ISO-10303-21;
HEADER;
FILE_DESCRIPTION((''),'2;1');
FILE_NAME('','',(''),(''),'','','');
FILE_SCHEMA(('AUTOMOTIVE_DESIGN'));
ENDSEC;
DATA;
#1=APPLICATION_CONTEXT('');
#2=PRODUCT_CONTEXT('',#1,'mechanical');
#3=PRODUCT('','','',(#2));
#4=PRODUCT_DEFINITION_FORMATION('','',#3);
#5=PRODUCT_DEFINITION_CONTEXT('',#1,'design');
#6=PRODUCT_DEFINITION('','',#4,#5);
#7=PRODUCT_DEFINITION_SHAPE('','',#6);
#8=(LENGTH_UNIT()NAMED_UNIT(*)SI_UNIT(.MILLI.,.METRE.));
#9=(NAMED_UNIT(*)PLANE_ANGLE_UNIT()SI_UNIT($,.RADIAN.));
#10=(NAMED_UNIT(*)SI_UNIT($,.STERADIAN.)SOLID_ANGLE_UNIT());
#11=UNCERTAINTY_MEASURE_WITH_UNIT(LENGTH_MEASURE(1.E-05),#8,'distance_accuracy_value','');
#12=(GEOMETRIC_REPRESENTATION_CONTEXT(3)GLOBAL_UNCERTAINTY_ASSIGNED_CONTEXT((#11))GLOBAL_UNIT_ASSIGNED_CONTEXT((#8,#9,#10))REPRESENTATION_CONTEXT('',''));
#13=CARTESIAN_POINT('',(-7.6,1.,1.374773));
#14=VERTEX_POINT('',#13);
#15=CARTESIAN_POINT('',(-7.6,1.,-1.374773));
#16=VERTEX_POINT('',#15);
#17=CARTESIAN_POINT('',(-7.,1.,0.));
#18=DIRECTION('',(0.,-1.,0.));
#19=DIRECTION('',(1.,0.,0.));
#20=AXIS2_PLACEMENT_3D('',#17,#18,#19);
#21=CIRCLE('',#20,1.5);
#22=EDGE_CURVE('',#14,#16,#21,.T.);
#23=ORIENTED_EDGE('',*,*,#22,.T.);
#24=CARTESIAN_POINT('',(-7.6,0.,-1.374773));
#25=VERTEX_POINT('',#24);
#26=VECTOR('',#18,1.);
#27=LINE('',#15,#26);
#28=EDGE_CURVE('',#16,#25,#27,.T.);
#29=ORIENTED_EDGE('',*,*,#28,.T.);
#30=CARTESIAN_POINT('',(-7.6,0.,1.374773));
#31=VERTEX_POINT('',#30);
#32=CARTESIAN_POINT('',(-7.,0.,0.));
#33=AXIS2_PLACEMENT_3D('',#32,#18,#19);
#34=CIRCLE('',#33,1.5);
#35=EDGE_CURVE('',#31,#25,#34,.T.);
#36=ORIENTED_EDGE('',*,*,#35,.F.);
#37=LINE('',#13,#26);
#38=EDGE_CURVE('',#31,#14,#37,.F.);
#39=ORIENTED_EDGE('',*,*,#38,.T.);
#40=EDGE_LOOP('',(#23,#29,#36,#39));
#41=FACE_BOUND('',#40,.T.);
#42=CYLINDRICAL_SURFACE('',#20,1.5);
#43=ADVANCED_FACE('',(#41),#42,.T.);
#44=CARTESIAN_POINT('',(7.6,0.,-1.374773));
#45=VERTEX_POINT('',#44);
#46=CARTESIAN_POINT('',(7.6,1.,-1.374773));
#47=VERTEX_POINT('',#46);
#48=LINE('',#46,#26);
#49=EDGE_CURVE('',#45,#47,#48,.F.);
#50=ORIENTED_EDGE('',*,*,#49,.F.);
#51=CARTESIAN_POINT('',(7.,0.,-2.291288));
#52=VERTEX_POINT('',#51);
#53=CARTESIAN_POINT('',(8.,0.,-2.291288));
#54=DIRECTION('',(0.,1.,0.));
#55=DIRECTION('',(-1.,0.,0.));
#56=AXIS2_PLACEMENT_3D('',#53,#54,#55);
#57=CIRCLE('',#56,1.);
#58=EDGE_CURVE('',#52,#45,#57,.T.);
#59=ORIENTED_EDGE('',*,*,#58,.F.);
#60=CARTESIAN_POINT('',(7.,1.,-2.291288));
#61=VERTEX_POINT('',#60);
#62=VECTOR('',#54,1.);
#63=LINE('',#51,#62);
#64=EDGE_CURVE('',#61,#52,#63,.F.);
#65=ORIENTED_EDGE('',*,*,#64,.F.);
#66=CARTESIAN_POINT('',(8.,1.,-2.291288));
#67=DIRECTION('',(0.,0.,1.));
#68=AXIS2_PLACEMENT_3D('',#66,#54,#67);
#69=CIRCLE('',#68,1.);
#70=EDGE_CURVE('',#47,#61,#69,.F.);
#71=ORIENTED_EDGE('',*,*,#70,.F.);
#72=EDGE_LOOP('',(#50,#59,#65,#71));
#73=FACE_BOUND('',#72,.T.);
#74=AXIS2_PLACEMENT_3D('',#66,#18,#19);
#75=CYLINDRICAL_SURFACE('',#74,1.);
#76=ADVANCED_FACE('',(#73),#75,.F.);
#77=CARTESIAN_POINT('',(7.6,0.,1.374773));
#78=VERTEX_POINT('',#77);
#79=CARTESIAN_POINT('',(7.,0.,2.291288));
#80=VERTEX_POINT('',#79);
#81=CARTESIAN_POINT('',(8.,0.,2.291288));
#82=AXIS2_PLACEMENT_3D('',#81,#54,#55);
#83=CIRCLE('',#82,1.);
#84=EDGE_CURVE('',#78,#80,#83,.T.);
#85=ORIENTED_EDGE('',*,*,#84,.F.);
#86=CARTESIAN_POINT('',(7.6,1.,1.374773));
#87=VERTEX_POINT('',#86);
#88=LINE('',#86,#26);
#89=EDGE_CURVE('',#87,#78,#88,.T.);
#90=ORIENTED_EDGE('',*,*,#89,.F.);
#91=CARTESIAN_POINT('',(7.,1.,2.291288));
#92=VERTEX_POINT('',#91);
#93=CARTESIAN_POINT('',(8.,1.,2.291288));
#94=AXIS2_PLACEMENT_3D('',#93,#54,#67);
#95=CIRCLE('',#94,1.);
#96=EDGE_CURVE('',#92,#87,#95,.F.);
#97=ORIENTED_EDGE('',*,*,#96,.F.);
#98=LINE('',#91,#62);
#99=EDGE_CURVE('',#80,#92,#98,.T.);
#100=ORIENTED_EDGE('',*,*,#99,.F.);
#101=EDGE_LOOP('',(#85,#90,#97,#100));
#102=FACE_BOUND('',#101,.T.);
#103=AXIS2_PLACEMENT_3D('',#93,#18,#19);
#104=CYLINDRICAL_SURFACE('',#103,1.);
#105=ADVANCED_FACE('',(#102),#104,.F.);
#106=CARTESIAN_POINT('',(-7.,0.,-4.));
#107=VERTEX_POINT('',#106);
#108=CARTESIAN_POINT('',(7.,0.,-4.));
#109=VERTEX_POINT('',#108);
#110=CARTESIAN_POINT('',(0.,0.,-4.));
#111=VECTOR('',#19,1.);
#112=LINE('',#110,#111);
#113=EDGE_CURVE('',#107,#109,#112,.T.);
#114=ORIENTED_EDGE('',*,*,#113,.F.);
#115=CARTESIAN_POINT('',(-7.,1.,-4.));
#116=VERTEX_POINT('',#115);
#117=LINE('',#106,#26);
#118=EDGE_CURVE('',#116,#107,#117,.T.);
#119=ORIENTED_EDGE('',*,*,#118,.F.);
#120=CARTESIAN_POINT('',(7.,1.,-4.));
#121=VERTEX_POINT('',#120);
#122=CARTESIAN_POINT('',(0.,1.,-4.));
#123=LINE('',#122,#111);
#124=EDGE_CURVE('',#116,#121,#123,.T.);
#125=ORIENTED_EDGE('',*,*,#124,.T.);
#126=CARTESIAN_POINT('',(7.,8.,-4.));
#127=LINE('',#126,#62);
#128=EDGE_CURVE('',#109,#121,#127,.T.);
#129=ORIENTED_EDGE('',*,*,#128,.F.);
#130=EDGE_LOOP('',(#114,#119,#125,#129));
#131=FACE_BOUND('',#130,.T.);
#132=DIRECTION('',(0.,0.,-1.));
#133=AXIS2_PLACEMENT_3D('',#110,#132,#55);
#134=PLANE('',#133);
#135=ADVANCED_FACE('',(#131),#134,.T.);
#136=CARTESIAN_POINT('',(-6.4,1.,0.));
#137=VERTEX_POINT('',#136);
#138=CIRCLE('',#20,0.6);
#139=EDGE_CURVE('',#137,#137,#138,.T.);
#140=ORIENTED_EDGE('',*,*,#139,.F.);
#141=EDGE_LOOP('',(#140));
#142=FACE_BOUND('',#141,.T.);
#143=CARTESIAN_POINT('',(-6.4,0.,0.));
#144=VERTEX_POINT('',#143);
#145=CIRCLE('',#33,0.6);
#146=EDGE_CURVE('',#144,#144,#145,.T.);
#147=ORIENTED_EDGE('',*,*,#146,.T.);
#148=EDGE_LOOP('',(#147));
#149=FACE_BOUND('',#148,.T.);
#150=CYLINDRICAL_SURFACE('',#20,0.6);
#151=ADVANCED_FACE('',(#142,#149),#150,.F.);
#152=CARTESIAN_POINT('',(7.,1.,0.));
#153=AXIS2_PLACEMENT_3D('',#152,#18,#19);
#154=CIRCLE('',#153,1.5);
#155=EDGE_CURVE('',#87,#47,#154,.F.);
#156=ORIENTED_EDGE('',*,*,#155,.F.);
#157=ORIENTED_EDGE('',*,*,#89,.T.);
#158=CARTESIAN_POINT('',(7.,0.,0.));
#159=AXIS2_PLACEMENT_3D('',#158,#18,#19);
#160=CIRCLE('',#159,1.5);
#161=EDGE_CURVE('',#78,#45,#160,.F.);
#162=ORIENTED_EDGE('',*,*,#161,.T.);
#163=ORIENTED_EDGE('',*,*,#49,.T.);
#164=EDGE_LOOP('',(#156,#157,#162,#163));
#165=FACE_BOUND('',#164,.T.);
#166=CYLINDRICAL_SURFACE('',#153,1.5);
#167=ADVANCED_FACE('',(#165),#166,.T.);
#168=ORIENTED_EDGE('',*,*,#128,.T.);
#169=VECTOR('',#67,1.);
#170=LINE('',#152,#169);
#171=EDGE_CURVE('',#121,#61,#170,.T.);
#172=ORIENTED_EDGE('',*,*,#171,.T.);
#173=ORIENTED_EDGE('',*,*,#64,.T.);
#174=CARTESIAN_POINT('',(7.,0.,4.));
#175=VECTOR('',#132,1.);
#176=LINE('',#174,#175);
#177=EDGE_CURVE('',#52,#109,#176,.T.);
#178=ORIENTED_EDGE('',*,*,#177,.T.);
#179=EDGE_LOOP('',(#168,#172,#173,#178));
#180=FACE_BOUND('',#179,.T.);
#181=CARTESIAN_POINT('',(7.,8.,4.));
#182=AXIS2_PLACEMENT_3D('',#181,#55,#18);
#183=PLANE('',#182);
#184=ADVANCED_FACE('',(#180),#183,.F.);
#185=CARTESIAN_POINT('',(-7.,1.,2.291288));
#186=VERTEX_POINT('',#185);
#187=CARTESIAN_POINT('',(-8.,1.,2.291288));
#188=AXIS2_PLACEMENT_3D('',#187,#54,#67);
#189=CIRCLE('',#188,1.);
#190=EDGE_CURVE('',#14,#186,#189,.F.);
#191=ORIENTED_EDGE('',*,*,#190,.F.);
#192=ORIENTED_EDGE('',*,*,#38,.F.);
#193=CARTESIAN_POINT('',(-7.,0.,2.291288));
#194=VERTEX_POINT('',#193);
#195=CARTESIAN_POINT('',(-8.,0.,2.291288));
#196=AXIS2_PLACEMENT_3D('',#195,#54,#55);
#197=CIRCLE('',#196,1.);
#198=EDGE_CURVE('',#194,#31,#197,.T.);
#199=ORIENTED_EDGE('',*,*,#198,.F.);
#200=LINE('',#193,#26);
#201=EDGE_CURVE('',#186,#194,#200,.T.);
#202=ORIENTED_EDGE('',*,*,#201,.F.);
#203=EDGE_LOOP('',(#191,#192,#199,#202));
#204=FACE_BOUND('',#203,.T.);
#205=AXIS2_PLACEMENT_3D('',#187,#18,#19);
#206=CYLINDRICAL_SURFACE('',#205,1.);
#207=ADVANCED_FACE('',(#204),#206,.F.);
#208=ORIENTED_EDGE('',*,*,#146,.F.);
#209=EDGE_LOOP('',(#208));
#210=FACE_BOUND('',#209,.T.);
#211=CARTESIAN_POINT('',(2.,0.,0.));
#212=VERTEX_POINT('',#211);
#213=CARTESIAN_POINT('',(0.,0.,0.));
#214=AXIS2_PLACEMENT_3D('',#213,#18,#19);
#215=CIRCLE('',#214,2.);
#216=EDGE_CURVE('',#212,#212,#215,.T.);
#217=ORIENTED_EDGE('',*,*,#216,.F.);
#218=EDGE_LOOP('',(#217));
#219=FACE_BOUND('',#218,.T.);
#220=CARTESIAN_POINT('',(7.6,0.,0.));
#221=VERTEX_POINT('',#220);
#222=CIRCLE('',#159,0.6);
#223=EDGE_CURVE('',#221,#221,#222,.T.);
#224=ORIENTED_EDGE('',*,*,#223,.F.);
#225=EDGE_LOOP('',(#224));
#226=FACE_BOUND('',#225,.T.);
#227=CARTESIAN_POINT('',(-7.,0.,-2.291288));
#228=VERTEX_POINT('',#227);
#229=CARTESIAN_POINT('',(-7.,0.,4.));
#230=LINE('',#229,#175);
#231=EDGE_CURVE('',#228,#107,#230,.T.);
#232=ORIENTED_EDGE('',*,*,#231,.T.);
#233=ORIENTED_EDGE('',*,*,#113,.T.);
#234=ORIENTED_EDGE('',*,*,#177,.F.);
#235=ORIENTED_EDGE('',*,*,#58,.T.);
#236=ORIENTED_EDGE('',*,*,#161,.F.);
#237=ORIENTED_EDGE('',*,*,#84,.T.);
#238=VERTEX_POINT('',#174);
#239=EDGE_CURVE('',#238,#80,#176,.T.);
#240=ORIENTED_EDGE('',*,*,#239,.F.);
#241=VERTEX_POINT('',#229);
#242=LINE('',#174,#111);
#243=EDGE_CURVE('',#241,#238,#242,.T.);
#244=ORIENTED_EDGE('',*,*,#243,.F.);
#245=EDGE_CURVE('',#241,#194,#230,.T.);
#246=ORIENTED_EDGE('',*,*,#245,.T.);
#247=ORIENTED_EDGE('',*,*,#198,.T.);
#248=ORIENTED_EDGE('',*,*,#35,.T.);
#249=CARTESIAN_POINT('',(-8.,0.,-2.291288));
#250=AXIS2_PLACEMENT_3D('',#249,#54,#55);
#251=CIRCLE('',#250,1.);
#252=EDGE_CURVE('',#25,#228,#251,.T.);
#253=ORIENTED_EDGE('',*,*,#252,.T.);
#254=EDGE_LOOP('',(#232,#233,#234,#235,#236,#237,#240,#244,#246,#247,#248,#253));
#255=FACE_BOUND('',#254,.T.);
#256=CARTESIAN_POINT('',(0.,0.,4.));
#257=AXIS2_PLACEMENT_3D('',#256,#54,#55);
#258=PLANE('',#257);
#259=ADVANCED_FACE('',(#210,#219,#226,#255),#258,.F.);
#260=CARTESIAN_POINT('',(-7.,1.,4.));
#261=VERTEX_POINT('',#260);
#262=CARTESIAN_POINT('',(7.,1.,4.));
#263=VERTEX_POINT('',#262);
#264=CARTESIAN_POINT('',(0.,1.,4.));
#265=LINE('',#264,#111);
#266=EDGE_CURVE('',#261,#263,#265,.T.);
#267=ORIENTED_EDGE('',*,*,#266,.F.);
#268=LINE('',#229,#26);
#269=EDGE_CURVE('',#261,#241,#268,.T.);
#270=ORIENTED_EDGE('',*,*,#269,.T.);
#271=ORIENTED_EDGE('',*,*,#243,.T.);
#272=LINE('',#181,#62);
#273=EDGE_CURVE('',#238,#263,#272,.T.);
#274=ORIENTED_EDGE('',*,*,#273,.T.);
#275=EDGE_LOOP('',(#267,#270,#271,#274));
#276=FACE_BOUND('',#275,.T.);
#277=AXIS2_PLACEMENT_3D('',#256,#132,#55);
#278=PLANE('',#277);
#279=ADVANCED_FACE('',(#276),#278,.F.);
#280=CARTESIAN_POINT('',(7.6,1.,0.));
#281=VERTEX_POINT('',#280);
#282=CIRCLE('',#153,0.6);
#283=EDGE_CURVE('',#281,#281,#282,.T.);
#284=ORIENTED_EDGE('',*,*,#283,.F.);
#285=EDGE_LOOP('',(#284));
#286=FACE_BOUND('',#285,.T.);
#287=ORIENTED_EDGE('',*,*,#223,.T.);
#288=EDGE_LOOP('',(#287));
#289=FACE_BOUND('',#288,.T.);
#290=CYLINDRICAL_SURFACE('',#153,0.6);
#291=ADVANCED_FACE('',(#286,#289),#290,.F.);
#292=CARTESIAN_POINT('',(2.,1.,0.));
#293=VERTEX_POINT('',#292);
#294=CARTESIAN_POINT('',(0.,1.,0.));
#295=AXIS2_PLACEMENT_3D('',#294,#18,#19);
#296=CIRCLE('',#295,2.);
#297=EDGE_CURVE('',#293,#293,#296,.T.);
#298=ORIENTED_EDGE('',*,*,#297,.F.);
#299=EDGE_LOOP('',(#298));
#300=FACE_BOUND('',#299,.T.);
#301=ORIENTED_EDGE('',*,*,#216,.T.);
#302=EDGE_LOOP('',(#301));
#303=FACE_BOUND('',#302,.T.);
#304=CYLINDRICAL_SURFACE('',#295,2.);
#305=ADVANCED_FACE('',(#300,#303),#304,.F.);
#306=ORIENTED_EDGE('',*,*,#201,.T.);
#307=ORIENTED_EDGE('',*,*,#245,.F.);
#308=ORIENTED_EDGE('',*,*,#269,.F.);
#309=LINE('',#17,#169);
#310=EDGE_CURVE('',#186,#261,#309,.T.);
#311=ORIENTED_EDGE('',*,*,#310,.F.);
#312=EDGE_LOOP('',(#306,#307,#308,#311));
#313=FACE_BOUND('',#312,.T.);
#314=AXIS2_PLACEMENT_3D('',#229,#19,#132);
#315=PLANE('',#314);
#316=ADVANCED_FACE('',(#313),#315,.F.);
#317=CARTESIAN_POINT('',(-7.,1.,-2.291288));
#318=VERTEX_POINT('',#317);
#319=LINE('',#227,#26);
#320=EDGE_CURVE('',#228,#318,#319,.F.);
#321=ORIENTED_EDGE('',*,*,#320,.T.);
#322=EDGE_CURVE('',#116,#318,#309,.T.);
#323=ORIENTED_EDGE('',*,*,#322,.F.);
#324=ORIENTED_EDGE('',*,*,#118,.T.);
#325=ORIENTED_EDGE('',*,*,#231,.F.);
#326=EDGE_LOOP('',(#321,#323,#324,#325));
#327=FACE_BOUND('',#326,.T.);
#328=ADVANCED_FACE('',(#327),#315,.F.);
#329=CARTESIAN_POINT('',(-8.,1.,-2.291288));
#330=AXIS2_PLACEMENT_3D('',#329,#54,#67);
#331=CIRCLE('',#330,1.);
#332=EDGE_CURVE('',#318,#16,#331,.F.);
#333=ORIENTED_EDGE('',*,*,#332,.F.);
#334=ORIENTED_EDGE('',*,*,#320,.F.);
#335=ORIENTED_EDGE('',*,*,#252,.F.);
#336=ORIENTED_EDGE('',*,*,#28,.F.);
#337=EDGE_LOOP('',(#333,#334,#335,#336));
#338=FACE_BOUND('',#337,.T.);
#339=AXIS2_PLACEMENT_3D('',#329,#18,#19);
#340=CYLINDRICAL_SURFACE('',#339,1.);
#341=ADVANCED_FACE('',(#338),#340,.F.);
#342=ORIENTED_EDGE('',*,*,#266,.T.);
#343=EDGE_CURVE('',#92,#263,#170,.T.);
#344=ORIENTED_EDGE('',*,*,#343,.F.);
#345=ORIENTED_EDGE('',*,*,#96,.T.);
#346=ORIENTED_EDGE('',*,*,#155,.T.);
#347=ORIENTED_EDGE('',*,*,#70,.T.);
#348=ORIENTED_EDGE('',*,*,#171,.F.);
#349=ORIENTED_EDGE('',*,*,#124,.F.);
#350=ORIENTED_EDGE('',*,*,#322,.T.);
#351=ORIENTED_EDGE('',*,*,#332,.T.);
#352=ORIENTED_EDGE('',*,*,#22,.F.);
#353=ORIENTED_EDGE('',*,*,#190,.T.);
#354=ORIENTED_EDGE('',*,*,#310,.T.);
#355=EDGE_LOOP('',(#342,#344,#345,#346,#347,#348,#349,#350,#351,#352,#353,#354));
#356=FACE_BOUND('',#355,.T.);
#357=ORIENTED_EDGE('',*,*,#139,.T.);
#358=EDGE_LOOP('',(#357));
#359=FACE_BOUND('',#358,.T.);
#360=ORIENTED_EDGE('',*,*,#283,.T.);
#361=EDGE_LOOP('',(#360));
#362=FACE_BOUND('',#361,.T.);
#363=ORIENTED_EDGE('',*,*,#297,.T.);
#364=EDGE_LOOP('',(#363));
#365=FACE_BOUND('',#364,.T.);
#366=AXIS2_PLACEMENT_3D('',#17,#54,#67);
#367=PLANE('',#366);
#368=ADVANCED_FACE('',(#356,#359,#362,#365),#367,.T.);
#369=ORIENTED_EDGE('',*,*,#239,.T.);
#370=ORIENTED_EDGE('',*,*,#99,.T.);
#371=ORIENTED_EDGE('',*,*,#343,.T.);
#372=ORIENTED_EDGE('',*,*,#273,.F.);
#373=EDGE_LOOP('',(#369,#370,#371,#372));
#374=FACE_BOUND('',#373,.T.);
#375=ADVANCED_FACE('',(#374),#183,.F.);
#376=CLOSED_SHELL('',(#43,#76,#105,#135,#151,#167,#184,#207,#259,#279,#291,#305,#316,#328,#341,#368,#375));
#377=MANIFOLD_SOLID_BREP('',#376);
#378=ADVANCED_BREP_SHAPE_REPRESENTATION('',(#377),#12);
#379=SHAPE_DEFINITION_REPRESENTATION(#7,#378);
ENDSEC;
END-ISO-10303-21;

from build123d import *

# Parameters (mm, degrees)
EXTRUDE1_DEPTH      = 4
EXTRUDE2_DEPTH      = 12.357816692
EXTRUDE2_DEPTH_BACK = 12.357816692
SKETCH2_R           = 1
EXTRUDE3_DEPTH      = 12.357816692
EXTRUDE3_DEPTH_BACK = 12.357816692
FILLET2_R           = 1
EXTRUDE4_DEPTH      = 14
EXTRUDE4_DEPTH_BACK = 3
SKETCH5_W           = 0.95644391
SKETCH5_H           = 3.560686456
EXTRUDE5_DEPTH      = 9
EXTRUDE6_DEPTH      = 1
SKETCH7_R           = 0.6
EXTRUDE7_DEPTH      = 1
FILLET3_R           = 1
SKETCH8_R           = 2
EXTRUDE8_DEPTH      = 1
SKETCH9_R           = 15.158662045
EXTRUDE9_DEPTH      = 18.811513131


with BuildPart() as part:
    # Sketch1 → Extrude1 (new, symmetric)
    with BuildSketch(Plane.XY):
        Polygon((0, 0), (-7, 0), (-7, 8), (7, 8), (7, 0), align=None)
    extrude(amount=EXTRUDE1_DEPTH, both=True)

    # Sketch2 → Extrude2 (cut, two sides: drawn at the far end of the back side and taken through both)
    with BuildSketch(Plane.XY.offset(-EXTRUDE2_DEPTH_BACK)):
        with Locations((4.5, 5.5)):
            Circle(SKETCH2_R)
    extrude(amount=EXTRUDE2_DEPTH + EXTRUDE2_DEPTH_BACK, mode=Mode.SUBTRACT)

    # Sketch4 → Extrude3 (cut, two sides: drawn at the far end of the back side and taken through both)
    with BuildSketch(Plane(origin=(0, 0, 0), x_dir=(0, 0, -1), z_dir=(1, 0, 0)).offset(-EXTRUDE3_DEPTH_BACK)):
        Polygon((0, 1), (3, 1), (3, 9.732029078), (-3, 9.732029078), (-3, 1), align=None)
    extrude(amount=EXTRUDE3_DEPTH + EXTRUDE3_DEPTH_BACK, mode=Mode.SUBTRACT)

    # Fillet2
    fillet2_edges = [part.edges().sort_by_distance(p)[0] for p in [
        (7, 8, -3.5),
        (7, 8, 3.5),
        (-7, 8, -3.5),
        (-7, 8, 3.5),
    ]]
    fillet(fillet2_edges, radius=FILLET2_R)

    # Sketch3 → Extrude4 (add, two sides: drawn at the far end of the back side and taken through both)
    with BuildSketch(Plane.XY.offset(-EXTRUDE4_DEPTH_BACK)):
        with BuildLine():
            ThreePointArc((-3, 6), (-4.060660172, 3.439339828), (-1.5, 4.5))
            ThreePointArc((-1.5, 4.5), (-1.939339828, 5.560660172), (-3, 6))
        make_face()
    extrude(amount=EXTRUDE4_DEPTH + EXTRUDE4_DEPTH_BACK)

    # Sketch5 → Extrude5 (cut)
    with BuildSketch(Plane.XY.offset(14)):
        with Locations((-4.478221955, 4.280343228)):
            Rectangle(SKETCH5_W, SKETCH5_H)
    extrude(amount=-EXTRUDE5_DEPTH, mode=Mode.SUBTRACT)

    # Sketch6 → Extrude6 (add)
    with BuildSketch(Plane.XZ):
        with BuildLine():
            ThreePointArc((-5.910714286, -1.031240337), (-6, 0), (-5.910714286, 1.031240337))
            ThreePointArc((-5.910714286, 1.031240337), (-8.5, 0), (-5.910714286, -1.031240337))
        make_face()
        with BuildLine():
            ThreePointArc((7, -1.5), (8.5, 0), (7, 1.5))
            Line((7, 1.5), (7, -1.5))
        make_face()
    extrude(amount=-EXTRUDE6_DEPTH)

    # Sketch7 → Extrude7 (cut)
    with BuildSketch(Plane.XZ):
        with Locations((-7, 0)):
            Circle(SKETCH7_R)
        with Locations((7, 0)):
            Circle(SKETCH7_R)
    extrude(amount=-EXTRUDE7_DEPTH, mode=Mode.SUBTRACT)

    # Fillet3
    fillet3_edges = [part.edges().sort_by_distance(p)[0] for p in [
        (7, 0.5, -1.5),
        (7, 0.5, 1.5),
        (-7, 0.5, -1.5),
        (-7, 0.5, 1.5),
    ]]
    fillet(fillet3_edges, radius=FILLET3_R)

    # Sketch8 → Extrude8 (cut)
    with BuildSketch(Plane.XZ):
        Circle(SKETCH8_R)
    extrude(amount=-EXTRUDE8_DEPTH, mode=Mode.SUBTRACT)

    # Sketch9 → Extrude9 (cut, through all)
    with BuildSketch(Plane(origin=(0, 1, 0), x_dir=(1, 0, 0), z_dir=(0, 1, 0))):
        Circle(SKETCH9_R)
    extrude(amount=EXTRUDE9_DEPTH, mode=Mode.SUBTRACT)


solid = part.part
